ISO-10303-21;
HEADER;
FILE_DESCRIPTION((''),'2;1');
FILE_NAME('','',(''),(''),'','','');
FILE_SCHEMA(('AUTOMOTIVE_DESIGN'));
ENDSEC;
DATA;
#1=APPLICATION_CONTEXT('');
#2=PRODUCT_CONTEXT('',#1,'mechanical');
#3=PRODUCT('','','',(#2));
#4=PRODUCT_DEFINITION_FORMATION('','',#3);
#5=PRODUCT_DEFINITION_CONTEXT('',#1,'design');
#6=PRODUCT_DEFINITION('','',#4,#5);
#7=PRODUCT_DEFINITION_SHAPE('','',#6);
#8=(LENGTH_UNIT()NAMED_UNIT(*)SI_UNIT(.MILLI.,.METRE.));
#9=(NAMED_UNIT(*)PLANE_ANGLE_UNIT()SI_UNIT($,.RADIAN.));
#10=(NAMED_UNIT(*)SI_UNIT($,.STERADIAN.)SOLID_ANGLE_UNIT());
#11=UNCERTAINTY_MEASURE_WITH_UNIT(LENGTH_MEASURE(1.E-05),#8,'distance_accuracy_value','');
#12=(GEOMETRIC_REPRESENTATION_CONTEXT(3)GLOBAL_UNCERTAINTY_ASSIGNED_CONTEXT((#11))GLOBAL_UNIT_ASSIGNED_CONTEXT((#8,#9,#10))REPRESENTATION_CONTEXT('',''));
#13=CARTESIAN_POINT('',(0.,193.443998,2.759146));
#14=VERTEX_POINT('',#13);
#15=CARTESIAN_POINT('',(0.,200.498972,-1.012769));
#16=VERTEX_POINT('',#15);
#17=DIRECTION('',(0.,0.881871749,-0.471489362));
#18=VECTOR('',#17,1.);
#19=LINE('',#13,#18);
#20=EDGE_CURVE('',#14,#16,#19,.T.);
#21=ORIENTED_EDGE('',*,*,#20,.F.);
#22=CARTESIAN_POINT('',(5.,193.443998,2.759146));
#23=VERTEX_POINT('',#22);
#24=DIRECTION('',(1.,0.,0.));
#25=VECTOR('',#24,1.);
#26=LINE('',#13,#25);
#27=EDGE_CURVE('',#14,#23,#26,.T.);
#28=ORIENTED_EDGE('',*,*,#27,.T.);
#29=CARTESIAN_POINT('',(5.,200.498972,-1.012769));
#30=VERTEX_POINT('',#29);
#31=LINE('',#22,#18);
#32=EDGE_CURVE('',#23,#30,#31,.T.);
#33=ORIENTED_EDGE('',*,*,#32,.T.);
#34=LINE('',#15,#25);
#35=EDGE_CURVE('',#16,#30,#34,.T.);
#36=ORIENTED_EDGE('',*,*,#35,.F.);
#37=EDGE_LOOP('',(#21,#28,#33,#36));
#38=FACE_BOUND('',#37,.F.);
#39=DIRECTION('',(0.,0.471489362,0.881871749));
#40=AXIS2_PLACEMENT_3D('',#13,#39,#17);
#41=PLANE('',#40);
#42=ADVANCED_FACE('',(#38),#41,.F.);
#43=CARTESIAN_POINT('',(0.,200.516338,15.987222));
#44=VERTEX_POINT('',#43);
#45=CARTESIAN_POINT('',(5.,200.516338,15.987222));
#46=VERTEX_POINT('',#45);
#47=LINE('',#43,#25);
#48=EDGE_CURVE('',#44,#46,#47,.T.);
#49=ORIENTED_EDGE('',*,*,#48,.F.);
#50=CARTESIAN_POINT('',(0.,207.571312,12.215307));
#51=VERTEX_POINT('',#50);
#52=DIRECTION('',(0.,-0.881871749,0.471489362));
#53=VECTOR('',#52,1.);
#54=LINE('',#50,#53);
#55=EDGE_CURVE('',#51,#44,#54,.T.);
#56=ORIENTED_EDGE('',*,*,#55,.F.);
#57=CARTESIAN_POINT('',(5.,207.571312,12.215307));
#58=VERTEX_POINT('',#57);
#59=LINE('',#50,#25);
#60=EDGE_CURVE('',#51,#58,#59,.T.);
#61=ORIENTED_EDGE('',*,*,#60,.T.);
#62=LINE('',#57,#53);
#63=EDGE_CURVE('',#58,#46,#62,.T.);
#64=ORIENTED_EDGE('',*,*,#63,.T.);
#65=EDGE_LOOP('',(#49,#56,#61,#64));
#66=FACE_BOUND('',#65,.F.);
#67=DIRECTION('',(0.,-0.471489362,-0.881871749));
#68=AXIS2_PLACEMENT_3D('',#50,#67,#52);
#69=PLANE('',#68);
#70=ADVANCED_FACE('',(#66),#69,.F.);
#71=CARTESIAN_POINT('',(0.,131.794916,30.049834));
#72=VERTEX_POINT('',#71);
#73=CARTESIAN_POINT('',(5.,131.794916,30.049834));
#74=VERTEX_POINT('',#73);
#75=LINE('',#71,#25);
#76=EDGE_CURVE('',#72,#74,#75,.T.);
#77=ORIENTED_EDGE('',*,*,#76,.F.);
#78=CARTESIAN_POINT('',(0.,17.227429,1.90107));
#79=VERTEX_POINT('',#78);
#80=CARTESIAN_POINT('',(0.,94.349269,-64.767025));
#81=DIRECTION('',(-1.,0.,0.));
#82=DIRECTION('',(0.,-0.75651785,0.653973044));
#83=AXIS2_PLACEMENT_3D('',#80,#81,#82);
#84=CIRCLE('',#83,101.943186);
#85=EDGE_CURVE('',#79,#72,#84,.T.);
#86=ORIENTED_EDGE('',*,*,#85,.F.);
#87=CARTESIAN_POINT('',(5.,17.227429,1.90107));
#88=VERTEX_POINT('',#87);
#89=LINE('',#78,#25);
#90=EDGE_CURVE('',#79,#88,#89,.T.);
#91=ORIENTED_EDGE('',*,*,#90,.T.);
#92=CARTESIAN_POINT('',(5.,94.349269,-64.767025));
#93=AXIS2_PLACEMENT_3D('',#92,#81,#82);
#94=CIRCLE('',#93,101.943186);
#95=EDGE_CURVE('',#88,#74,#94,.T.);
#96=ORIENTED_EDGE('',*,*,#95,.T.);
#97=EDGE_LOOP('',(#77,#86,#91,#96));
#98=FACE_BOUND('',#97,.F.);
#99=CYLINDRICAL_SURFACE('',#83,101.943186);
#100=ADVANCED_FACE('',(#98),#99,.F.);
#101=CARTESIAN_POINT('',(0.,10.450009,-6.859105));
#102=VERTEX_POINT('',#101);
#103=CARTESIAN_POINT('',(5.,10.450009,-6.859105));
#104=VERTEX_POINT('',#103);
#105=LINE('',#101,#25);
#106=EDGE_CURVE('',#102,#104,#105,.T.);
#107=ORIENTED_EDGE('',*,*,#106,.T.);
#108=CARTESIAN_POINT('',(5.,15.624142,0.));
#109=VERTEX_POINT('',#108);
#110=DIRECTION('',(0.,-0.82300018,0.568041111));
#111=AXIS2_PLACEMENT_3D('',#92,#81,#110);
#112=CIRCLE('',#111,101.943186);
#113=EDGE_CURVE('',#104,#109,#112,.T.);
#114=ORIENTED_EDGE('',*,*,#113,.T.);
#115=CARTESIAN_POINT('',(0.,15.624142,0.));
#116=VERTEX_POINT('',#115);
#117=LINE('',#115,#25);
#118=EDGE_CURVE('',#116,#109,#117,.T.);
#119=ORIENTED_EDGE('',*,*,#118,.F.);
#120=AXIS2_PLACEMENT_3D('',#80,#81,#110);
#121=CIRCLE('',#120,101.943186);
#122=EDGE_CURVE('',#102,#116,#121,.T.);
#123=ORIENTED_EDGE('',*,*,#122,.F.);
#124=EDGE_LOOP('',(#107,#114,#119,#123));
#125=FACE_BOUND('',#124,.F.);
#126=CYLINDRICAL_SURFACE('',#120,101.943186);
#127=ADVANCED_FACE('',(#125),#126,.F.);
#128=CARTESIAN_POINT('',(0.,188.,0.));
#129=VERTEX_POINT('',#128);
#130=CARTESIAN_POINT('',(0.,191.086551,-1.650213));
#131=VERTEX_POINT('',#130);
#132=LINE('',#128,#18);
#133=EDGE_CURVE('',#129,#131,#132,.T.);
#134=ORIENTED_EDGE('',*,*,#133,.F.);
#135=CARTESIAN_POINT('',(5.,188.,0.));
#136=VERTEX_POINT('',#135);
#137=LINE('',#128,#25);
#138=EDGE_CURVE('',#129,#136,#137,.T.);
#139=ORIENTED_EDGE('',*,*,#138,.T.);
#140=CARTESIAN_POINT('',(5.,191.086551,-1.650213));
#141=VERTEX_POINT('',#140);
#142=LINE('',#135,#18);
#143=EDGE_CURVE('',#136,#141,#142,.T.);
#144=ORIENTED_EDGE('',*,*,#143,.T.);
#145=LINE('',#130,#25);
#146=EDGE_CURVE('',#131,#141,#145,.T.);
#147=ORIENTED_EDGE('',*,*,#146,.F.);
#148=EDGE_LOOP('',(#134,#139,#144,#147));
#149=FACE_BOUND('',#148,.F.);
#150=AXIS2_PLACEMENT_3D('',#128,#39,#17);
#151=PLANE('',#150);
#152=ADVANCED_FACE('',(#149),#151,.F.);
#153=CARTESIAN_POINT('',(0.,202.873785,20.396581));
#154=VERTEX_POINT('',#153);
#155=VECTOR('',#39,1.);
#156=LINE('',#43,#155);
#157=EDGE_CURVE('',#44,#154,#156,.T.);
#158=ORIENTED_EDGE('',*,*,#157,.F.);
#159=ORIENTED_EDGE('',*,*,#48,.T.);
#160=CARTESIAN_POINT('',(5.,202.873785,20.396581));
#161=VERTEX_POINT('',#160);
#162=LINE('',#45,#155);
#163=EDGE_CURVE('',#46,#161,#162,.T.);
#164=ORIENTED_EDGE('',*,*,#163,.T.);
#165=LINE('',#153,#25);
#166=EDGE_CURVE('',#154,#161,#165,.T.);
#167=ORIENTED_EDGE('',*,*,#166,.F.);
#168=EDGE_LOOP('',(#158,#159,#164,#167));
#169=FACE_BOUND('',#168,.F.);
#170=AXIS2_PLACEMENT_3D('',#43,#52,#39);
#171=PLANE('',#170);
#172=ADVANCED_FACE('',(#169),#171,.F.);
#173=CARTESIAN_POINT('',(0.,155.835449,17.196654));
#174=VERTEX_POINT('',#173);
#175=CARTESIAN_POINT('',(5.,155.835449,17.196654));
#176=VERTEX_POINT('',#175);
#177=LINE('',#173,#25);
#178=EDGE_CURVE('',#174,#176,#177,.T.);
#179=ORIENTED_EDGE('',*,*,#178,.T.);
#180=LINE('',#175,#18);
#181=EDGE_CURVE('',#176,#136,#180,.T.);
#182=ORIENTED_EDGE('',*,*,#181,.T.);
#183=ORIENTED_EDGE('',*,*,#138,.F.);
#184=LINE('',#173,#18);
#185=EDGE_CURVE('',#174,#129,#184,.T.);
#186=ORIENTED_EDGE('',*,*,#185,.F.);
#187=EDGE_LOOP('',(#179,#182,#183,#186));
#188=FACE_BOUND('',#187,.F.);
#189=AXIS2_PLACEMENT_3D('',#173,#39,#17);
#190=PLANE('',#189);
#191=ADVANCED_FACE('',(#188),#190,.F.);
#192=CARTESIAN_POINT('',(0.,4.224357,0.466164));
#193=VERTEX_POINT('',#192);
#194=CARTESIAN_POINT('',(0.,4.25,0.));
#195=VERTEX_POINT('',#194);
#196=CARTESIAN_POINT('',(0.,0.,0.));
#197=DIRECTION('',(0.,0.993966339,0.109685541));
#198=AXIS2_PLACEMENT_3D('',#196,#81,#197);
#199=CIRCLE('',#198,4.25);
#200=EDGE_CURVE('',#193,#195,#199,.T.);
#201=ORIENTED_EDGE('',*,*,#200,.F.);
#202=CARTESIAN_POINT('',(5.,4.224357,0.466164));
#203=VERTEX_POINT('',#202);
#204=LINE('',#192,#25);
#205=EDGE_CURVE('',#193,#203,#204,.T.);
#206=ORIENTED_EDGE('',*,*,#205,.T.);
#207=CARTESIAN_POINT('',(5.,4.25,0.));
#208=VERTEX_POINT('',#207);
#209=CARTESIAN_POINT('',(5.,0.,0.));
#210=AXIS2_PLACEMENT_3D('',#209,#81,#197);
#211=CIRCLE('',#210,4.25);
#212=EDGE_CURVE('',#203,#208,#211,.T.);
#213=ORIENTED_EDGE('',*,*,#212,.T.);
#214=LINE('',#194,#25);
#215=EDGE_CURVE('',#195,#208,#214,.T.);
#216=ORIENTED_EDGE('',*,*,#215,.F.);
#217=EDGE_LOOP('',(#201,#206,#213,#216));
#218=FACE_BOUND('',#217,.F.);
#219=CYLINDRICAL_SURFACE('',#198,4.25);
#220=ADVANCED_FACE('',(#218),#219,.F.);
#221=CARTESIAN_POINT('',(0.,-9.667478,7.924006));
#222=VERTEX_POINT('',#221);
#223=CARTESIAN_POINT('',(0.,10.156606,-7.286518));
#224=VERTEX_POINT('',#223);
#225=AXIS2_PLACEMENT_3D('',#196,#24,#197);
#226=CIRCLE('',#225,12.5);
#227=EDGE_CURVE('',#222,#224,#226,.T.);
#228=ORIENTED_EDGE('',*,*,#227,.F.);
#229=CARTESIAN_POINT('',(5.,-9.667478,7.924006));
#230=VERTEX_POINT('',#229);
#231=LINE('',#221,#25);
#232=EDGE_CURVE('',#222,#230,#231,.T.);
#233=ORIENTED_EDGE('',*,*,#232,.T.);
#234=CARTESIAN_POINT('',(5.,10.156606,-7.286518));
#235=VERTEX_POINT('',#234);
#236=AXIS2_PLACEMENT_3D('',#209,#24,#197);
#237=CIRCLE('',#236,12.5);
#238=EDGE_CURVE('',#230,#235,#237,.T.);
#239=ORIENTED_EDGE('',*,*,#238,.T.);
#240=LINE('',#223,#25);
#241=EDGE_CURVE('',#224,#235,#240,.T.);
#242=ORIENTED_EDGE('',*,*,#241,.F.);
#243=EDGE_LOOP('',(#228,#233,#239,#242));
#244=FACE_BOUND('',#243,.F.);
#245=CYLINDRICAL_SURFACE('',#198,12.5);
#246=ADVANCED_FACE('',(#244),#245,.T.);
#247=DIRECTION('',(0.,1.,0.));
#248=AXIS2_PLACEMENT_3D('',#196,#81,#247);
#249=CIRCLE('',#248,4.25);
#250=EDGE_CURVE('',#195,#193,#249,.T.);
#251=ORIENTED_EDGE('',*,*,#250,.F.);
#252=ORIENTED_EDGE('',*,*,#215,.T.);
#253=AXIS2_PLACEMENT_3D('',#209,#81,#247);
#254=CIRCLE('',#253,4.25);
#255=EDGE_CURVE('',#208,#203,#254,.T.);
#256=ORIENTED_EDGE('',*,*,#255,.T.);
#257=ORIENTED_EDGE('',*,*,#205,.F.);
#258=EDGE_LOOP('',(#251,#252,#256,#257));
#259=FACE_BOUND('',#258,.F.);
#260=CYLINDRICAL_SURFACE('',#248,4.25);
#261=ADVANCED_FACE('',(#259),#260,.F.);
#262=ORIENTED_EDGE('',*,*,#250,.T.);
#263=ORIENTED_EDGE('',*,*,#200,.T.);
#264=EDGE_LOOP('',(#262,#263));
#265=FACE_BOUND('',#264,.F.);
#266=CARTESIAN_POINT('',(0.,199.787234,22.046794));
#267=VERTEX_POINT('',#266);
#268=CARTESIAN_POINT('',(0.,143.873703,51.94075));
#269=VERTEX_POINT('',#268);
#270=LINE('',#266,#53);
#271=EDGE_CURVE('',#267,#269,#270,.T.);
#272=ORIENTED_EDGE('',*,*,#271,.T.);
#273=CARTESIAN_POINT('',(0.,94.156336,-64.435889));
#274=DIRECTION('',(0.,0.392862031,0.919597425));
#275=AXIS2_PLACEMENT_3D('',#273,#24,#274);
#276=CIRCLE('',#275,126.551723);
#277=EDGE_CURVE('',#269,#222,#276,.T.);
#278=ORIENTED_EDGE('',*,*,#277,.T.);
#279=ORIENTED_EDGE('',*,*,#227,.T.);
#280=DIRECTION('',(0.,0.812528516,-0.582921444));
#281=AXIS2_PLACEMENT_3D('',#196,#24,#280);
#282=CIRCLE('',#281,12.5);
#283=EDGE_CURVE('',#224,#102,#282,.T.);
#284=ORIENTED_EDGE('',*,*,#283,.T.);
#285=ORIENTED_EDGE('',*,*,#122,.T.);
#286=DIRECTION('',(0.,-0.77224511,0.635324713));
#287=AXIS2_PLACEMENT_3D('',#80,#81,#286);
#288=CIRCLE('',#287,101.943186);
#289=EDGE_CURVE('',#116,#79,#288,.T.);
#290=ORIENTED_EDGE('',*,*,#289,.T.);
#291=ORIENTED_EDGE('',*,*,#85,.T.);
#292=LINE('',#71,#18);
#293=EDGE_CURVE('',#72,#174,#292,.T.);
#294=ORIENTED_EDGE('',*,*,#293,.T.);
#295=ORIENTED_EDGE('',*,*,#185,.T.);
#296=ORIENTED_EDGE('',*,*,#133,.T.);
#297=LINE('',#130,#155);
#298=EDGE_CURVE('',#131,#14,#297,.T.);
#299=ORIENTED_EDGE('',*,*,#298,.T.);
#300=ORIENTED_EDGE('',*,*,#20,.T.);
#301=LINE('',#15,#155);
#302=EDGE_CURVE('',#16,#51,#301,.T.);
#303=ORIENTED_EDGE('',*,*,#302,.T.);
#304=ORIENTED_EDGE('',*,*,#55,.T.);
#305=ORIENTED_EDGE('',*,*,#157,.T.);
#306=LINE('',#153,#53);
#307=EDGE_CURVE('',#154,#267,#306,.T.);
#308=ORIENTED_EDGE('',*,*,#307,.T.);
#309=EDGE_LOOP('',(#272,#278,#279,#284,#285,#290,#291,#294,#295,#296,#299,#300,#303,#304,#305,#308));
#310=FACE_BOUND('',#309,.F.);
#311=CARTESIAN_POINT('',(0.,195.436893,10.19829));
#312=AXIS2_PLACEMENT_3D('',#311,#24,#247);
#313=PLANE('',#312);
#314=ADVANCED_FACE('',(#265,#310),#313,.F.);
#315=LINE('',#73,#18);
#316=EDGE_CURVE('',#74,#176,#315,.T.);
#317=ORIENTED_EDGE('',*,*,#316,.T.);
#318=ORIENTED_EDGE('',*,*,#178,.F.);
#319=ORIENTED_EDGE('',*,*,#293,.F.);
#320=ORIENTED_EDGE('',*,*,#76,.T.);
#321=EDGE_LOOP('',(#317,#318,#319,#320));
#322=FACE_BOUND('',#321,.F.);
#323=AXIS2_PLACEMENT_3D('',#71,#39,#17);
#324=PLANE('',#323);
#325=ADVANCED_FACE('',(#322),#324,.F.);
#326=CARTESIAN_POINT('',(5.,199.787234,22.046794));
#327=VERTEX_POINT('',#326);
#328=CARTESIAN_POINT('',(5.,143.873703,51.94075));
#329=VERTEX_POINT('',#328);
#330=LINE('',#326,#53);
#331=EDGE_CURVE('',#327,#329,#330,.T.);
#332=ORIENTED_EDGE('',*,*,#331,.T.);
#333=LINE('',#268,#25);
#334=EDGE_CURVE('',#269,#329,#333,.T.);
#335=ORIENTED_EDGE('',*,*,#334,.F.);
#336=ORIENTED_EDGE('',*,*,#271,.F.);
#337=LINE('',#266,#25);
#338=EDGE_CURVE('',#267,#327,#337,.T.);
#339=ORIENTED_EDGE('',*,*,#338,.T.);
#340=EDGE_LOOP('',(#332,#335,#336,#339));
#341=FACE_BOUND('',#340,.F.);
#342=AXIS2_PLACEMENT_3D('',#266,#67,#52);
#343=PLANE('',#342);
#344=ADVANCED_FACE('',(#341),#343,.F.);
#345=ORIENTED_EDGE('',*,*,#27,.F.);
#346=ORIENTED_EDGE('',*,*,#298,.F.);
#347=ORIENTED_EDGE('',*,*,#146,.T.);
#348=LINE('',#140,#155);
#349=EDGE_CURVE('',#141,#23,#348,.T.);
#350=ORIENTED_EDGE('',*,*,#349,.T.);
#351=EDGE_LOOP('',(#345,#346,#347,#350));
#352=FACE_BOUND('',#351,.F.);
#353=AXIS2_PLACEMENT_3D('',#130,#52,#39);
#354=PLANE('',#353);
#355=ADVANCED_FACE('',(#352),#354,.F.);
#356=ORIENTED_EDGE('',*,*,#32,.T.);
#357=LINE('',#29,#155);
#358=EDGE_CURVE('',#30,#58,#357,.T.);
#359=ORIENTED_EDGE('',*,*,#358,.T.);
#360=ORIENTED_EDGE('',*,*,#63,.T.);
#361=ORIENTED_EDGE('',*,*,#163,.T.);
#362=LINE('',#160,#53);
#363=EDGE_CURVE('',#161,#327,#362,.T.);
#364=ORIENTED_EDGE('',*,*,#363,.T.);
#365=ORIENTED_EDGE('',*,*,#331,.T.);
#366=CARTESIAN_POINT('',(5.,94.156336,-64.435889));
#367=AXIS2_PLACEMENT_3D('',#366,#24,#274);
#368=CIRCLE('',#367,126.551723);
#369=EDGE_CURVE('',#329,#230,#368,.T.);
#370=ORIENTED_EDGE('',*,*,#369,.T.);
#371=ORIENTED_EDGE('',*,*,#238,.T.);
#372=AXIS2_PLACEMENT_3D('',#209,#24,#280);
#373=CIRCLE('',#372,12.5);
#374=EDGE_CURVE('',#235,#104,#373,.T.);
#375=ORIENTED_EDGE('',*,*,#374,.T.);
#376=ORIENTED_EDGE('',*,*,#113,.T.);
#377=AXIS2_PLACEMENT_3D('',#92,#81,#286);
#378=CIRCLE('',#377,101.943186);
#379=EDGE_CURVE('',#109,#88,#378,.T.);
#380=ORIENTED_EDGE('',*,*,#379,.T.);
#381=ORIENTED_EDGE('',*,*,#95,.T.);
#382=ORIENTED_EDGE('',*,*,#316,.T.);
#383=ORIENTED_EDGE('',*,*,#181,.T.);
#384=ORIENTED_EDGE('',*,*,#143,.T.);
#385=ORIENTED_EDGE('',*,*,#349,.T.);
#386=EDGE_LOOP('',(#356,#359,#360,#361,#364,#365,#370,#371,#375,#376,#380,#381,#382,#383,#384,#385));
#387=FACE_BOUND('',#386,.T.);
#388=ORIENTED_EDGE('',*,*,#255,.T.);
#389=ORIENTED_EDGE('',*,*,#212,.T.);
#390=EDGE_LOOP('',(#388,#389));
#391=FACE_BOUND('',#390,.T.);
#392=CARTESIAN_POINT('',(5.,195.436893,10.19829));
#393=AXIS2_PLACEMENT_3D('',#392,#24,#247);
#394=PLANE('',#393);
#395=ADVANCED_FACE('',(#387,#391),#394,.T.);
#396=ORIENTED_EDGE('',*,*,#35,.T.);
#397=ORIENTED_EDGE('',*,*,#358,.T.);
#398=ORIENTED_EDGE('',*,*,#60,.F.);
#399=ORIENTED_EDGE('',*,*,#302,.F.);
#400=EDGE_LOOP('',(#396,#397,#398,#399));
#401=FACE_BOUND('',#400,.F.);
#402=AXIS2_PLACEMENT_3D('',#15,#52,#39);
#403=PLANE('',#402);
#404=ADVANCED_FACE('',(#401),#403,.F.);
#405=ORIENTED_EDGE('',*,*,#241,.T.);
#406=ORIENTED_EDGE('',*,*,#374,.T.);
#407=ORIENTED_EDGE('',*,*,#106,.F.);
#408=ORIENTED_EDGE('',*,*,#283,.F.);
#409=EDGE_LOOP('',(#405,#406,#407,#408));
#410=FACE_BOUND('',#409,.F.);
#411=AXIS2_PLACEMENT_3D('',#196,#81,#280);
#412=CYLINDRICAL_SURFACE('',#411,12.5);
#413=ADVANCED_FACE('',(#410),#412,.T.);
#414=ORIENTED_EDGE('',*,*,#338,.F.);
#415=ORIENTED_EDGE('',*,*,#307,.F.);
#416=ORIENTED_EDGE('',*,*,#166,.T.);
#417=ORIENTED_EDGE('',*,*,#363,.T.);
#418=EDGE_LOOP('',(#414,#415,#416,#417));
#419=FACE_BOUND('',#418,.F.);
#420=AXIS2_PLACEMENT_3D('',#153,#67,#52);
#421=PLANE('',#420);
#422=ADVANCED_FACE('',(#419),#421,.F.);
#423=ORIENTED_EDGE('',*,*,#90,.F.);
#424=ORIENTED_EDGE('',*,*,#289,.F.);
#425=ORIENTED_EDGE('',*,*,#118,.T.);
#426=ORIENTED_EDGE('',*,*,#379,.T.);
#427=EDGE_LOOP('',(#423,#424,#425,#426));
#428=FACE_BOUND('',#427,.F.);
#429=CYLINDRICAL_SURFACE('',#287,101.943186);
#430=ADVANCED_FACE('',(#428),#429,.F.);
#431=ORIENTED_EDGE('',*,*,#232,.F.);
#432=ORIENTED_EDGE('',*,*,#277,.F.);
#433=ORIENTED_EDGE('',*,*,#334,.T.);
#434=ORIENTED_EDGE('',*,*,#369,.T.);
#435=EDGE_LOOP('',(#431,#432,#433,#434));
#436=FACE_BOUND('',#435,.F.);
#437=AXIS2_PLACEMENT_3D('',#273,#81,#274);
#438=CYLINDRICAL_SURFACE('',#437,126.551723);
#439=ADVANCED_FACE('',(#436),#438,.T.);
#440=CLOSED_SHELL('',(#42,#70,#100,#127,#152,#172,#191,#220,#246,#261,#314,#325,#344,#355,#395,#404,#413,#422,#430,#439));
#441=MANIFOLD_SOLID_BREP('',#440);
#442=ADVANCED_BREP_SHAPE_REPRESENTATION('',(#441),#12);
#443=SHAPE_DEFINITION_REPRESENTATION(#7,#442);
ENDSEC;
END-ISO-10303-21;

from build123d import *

# Parameters (mm, degrees)
F1_DEPTH = 5


with BuildPart() as f1:
    # F0 (on Right) → F1 (new body)
    with BuildSketch(Plane.YZ):
        Polygon((197.429787234, 17.6374349813), (190.3574468085, 4.4093587453), (193.4439979302, 2.7591459794), (200.5163383558, 15.9872222154), align=None)
        Polygon((200.5163383558, 15.9872222154), (193.4439979302, 2.7591459794), (200.4989719228, -1.0127689142), (207.5713123483, 12.2153073218), align=None)
        with BuildLine():
            ThreePointArc((10.1566064552, -7.2865180514), (10.3055236614, -7.0743326232), (10.4500087345, -6.8591047118))
            ThreePointArc((10.4500087345, -6.8591047118), (10.3030358955, -7.0726248708), (10.1566064552, -7.2865180514))
        make_face()
        with BuildLine():
            Line((15.6241422995, 0), (12.5, 0))
            ThreePointArc((12.5, 0), (11.9765418461, -3.5794476402), (10.4500087345, -6.8591047118))
            ThreePointArc((10.4500087345, -6.8591047118), (12.9647825278, -3.3750184776), (15.6241422995, 0))
        make_face()
        Polygon((155.8354490103, 17.1966543113), (188, 0), (190.3574468085, 4.4093587453), (197.429787234, 17.6374349813), (199.7872340426, 22.0467937267), align=None)
        with BuildLine():
            ThreePointArc((12.4245792315, 1.3710692616), (12.4811305657, 0.6865710474), (12.5, 0))
            Line((12.5, 0), (15.6241422995, 0))
            ThreePointArc((15.6241422995, 0), (16.4199885214, 0.9554243225), (17.2274292387, 1.9010703096))
            Line((17.2274292387, 1.9010703096), (12.4245792315, 1.3710692616))
        make_face()
        with BuildLine():
            ThreePointArc((-9.6674776629, 7.9240062871), (3.5546656917, 11.983920553), (12.4245792315, 1.3710692616))
            Line((12.4245792315, 1.3710692616), (17.2274292387, 1.9010703096))
            ThreePointArc((17.2274292387, 1.9010703096), (70.0256531638, 34.2318376632), (131.7949158181, 30.0498335425))
            Line((131.7949158181, 30.0498335425), (155.8354490103, 17.1966543113))
            Line((155.8354490103, 17.1966543113), (199.7872340426, 22.0467937267))
            Line((199.7872340426, 22.0467937267), (143.8737025797, 51.9407497218))
            ThreePointArc((143.8737025797, 51.9407497218), (59.2816268709, 57.2156351163), (-9.6674776629, 7.9240062871))
        make_face()
        with BuildLine():
            Line((12.5, 0), (4.25, 0))
            ThreePointArc((4.25, 0), (-4.2435843923, -0.2334341561), (4.2243569387, 0.4661635489))
            Line((4.2243569387, 0.4661635489), (12.4245792315, 1.3710692616))
            ThreePointArc((12.4245792315, 1.3710692616), (3.5546656917, 11.983920553), (-9.6674776629, 7.9240062871))
            ThreePointArc((-9.6674776629, 7.9240062871), (-7.6091934137, -9.9171657036), (10.1566064552, -7.2865180514))
            ThreePointArc((10.1566064552, -7.2865180514), (10.3030358955, -7.0726248708), (10.4500087345, -6.8591047118))
            ThreePointArc((10.4500087345, -6.8591047118), (11.9765418461, -3.5794476402), (12.5, 0))
        make_face()
        with BuildLine():
            ThreePointArc((4.2243569387, 0.4661635489), (4.2435843923, 0.2334341561), (4.25, 0))
            Line((4.25, 0), (12.5, 0))
            ThreePointArc((12.5, 0), (12.4811305657, 0.6865710474), (12.4245792315, 1.3710692616))
            Line((12.4245792315, 1.3710692616), (4.2243569387, 0.4661635489))
        make_face()
        Polygon((202.8737851643, 20.3965809607), (199.7872340426, 22.0467937267), (197.429787234, 17.6374349813), (200.5163383558, 15.9872222154), align=None)
        Polygon((190.3574468085, 4.4093587453), (188, 0), (191.0865511217, -1.650212766), (193.4439979302, 2.7591459794), align=None)
    extrude(amount=F1_DEPTH)


solid = f1.part
